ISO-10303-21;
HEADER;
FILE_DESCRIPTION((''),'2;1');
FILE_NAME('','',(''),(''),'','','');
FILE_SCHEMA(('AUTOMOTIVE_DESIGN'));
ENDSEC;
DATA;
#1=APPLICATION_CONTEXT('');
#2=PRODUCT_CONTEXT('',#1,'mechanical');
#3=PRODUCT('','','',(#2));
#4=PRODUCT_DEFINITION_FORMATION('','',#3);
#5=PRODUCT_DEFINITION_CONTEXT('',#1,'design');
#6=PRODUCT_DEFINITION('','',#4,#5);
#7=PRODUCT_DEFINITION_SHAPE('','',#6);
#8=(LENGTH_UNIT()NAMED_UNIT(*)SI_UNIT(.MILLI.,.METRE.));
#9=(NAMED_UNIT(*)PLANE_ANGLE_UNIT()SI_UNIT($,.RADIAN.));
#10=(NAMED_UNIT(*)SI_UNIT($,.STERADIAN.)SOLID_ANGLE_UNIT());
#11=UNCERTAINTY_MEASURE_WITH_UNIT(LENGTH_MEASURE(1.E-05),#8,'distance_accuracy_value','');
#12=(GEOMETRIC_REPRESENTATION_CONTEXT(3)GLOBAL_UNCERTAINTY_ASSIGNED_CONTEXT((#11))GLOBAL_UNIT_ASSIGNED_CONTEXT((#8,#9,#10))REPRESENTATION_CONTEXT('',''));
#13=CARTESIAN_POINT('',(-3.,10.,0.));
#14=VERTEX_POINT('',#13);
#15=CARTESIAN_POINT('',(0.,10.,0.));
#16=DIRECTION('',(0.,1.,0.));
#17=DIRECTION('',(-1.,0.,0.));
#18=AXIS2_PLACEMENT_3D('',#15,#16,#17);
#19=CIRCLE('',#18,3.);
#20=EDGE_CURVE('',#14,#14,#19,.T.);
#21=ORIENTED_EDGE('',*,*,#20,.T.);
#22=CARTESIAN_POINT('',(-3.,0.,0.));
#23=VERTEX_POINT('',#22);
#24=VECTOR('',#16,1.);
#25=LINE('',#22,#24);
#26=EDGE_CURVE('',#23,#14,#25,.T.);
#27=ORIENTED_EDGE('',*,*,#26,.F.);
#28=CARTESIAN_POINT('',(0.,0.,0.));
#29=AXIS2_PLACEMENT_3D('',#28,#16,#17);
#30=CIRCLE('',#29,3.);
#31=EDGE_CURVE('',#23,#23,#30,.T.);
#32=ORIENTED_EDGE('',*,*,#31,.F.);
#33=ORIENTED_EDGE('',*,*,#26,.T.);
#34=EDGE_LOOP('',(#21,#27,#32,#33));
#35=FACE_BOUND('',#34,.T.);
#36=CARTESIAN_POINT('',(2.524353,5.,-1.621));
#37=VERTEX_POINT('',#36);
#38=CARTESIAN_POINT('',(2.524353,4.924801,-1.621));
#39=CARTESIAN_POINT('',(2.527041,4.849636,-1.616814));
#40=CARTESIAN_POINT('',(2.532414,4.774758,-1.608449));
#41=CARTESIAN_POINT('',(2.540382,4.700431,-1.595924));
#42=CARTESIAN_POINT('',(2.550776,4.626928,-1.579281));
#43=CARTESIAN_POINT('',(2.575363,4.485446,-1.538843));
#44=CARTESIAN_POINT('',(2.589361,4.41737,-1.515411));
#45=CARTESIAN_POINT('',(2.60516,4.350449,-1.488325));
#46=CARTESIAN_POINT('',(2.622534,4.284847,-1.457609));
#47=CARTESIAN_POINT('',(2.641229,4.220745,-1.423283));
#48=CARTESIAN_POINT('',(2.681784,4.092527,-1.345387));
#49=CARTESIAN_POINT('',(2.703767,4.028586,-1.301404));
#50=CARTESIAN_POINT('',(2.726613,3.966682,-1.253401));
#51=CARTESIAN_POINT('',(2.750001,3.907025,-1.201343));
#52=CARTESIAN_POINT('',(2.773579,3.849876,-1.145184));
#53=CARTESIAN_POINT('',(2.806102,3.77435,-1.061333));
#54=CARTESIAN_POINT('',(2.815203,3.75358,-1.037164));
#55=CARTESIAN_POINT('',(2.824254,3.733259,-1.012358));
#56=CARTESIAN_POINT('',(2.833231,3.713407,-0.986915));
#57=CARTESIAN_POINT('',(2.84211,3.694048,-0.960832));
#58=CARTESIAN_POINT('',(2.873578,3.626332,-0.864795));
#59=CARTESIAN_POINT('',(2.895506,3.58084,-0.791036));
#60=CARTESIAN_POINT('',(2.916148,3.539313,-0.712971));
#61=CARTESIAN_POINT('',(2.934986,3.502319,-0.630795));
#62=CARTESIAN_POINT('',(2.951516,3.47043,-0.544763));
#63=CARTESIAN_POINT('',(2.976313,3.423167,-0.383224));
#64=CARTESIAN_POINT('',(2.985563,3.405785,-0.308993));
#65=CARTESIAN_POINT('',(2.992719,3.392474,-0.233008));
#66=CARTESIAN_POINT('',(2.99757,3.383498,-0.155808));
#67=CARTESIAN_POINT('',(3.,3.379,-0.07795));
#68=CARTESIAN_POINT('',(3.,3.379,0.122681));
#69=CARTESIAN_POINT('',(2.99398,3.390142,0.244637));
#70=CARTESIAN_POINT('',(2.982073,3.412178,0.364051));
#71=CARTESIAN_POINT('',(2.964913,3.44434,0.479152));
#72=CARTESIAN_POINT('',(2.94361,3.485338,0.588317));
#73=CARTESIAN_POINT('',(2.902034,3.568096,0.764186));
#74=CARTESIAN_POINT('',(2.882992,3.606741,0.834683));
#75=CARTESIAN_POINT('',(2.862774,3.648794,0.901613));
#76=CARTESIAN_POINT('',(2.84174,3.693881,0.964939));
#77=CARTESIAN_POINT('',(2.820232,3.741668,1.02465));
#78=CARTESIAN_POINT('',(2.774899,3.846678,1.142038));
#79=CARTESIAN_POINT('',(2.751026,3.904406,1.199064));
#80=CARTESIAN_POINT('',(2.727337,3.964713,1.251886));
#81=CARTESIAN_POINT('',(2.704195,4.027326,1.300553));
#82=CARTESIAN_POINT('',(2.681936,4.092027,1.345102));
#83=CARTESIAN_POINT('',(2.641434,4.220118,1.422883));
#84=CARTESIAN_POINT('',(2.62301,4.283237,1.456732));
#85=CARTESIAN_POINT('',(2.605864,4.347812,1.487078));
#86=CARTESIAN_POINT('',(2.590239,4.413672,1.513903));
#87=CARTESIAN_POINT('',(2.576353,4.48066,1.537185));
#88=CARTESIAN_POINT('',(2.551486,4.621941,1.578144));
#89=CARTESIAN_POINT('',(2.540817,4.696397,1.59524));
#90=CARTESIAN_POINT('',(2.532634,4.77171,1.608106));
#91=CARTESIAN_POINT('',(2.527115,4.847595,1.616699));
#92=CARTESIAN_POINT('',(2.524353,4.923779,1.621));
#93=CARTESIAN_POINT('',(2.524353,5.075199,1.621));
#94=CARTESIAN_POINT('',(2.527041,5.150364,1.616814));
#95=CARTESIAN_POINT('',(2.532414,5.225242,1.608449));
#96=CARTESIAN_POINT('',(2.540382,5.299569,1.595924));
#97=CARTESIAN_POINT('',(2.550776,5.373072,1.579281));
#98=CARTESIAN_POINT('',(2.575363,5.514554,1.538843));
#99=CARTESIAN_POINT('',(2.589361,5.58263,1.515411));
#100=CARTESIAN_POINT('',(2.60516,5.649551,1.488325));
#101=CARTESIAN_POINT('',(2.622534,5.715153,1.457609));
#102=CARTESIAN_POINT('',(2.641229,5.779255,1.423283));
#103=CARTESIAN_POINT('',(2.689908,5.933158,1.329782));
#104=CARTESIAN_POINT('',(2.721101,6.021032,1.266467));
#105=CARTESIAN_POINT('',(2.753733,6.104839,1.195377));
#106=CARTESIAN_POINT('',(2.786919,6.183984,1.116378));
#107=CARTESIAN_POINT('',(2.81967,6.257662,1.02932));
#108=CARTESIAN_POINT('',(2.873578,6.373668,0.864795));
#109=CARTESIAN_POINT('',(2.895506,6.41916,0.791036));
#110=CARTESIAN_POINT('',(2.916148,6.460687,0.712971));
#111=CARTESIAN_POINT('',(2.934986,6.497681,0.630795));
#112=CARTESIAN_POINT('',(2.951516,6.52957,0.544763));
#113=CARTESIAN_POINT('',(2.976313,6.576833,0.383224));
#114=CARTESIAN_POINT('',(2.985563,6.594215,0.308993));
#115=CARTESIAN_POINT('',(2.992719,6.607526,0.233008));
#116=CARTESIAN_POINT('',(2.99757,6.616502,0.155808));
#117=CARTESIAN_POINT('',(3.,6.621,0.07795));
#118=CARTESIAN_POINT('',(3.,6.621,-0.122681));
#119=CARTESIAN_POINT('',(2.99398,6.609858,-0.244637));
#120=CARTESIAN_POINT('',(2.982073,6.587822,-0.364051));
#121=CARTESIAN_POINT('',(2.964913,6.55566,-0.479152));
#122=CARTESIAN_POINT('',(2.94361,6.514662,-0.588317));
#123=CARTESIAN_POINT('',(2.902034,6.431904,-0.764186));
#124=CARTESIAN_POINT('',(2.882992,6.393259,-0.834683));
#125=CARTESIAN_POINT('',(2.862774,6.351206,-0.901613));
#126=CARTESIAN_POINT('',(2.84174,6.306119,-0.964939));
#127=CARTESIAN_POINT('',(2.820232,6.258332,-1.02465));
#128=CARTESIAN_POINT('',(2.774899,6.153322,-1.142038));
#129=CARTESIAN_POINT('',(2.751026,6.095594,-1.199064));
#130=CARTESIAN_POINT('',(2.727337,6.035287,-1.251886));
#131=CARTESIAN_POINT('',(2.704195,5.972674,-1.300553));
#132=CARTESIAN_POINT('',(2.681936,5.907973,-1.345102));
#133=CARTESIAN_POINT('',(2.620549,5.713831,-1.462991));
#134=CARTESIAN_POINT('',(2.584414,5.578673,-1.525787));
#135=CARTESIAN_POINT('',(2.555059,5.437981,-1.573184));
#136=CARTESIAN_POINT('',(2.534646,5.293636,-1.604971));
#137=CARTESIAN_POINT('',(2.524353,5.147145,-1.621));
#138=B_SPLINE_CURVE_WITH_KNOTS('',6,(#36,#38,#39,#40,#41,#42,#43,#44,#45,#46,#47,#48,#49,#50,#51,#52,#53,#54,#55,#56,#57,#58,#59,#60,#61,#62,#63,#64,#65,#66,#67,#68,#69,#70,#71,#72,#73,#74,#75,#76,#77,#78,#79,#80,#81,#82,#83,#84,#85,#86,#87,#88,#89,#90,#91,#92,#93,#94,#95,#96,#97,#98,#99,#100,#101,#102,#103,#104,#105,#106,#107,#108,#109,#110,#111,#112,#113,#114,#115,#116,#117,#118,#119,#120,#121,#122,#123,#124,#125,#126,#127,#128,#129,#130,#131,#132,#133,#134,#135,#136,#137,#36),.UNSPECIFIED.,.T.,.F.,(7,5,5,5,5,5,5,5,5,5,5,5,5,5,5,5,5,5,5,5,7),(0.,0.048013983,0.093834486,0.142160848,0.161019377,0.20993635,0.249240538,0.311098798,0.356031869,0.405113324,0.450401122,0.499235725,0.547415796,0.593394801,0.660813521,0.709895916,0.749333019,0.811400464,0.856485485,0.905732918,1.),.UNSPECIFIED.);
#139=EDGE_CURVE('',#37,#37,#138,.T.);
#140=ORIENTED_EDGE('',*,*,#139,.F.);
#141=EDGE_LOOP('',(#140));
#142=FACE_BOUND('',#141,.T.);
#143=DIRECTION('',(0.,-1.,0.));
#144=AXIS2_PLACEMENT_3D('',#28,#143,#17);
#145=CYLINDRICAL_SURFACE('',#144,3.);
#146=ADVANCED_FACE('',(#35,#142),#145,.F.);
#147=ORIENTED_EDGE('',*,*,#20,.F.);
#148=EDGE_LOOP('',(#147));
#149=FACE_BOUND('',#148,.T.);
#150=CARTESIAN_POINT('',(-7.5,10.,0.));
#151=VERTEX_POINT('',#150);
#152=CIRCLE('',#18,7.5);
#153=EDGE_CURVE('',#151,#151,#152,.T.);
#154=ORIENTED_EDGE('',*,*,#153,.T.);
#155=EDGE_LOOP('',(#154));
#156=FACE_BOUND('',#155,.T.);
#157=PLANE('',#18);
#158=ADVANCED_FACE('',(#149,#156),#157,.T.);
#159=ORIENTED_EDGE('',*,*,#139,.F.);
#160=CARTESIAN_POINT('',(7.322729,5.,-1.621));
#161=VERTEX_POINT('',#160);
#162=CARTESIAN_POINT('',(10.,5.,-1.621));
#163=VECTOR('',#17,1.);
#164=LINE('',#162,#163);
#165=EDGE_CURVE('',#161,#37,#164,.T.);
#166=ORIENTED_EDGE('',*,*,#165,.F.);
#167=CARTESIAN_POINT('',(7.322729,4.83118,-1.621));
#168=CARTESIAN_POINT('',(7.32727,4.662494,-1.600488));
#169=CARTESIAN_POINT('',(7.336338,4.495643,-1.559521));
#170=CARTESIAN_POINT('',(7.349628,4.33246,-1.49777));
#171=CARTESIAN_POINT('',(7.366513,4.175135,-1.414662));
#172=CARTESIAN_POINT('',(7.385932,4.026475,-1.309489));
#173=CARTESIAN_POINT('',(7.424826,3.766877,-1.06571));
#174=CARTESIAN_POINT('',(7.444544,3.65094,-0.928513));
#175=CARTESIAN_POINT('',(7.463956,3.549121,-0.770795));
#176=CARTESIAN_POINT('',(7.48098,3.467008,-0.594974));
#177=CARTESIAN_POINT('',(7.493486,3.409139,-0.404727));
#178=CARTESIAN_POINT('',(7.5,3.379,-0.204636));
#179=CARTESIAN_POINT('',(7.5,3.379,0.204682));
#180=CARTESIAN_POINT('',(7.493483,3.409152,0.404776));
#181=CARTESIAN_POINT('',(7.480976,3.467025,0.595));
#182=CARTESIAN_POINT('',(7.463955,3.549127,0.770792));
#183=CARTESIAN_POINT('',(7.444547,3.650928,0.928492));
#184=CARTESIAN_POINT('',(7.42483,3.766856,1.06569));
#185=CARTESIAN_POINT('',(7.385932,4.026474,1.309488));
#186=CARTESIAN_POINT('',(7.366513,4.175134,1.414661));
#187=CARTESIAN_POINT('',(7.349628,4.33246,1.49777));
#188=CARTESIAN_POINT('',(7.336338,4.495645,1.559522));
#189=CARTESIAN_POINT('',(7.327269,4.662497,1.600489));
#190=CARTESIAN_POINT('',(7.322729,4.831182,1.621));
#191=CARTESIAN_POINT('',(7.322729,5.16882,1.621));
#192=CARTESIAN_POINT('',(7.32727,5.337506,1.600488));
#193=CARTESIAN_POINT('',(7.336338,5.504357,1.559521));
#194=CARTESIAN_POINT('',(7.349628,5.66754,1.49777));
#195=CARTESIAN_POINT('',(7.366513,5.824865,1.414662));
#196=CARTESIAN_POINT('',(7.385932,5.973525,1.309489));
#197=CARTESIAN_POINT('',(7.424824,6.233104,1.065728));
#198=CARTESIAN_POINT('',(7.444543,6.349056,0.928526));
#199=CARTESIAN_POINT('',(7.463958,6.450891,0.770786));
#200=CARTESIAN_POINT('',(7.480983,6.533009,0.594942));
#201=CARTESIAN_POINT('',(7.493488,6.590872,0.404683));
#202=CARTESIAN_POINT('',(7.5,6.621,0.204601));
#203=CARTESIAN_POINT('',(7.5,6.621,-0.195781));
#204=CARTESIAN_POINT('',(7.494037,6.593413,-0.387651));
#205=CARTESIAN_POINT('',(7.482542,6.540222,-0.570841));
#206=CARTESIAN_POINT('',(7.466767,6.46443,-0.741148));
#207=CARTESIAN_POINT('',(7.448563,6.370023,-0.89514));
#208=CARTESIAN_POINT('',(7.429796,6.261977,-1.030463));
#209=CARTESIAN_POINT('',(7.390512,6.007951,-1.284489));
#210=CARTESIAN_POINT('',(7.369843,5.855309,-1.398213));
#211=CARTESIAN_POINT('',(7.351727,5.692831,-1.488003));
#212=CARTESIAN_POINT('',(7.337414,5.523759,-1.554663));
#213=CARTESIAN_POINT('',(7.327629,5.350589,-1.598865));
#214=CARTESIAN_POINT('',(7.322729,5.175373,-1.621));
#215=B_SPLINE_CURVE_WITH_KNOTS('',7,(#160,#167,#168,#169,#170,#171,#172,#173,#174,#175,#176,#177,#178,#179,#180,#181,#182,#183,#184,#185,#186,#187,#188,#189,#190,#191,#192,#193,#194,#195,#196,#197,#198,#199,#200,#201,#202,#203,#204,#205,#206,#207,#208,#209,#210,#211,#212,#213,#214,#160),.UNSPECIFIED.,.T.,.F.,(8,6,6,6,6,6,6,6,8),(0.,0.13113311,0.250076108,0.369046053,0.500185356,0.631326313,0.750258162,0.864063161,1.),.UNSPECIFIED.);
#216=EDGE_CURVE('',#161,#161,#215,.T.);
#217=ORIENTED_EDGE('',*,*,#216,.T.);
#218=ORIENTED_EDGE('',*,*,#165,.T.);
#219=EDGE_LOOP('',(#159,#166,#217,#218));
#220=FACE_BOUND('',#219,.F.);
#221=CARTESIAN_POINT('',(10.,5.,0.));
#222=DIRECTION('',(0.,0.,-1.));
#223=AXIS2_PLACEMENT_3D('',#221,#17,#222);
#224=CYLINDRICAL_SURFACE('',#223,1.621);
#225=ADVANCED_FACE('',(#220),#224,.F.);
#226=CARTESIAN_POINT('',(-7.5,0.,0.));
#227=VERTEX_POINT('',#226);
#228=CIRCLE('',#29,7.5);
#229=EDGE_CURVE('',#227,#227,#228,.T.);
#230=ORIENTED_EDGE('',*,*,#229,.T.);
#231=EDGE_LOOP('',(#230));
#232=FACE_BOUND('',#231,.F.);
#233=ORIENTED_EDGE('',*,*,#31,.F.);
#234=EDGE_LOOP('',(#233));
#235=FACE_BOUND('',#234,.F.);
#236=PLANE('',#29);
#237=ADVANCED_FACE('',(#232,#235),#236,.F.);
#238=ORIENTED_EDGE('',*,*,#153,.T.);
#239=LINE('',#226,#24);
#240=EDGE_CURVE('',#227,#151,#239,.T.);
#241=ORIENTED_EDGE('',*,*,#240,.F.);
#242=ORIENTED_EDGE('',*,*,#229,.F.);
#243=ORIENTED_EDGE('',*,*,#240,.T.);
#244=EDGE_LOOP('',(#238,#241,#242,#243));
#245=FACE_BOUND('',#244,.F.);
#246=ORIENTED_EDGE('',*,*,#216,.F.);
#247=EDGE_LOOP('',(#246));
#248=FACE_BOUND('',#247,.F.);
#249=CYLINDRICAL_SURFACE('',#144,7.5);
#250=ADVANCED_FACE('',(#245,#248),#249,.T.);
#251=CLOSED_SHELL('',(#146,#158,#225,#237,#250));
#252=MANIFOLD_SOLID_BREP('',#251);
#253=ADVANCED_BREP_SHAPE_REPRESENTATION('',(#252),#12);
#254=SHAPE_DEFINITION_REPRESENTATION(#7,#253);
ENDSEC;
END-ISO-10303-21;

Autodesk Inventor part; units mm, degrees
ref_plane "XZ Plane" through (0, 0, 0) normal (0, 1, 0) x (-1, 0, 0)
ref_plane "XY Plane" through (0, 0, 0) normal (0, 0, 1) x (1, 0, 0)
sketch "Skizze1" plane through (0, 0, 0) normal (0, 1, 0) x (-1, 0, 0)
  circle A0 centre (0, 0) radius 3
  circle A1 centre (0, 0) radius 7.5
  dimension "d0" = 6
  dimension "d1" = 15
extrude "Extrusion1" add sketch "Skizze1" along normal blind 10
ref_plane "Arbeitsebene1" through (10, 0, 0) normal (1, 0, 0) x (0, 1, 0)
sketch "Skizze3" plane through (10, 0, 0) normal (1, 0, 0) x (0, 1, 0)
  point P0 (0, 0)
  point P1 (5, 0)
hole "Bohrung1" at (10, 5, 0) direction (-1, 0, 0) diameter 3.242 depth 11.8 tip angle 118 thread size "M4x0.7" class "6H" standard "ISO Metric profile"
properties part number "Stellring"
